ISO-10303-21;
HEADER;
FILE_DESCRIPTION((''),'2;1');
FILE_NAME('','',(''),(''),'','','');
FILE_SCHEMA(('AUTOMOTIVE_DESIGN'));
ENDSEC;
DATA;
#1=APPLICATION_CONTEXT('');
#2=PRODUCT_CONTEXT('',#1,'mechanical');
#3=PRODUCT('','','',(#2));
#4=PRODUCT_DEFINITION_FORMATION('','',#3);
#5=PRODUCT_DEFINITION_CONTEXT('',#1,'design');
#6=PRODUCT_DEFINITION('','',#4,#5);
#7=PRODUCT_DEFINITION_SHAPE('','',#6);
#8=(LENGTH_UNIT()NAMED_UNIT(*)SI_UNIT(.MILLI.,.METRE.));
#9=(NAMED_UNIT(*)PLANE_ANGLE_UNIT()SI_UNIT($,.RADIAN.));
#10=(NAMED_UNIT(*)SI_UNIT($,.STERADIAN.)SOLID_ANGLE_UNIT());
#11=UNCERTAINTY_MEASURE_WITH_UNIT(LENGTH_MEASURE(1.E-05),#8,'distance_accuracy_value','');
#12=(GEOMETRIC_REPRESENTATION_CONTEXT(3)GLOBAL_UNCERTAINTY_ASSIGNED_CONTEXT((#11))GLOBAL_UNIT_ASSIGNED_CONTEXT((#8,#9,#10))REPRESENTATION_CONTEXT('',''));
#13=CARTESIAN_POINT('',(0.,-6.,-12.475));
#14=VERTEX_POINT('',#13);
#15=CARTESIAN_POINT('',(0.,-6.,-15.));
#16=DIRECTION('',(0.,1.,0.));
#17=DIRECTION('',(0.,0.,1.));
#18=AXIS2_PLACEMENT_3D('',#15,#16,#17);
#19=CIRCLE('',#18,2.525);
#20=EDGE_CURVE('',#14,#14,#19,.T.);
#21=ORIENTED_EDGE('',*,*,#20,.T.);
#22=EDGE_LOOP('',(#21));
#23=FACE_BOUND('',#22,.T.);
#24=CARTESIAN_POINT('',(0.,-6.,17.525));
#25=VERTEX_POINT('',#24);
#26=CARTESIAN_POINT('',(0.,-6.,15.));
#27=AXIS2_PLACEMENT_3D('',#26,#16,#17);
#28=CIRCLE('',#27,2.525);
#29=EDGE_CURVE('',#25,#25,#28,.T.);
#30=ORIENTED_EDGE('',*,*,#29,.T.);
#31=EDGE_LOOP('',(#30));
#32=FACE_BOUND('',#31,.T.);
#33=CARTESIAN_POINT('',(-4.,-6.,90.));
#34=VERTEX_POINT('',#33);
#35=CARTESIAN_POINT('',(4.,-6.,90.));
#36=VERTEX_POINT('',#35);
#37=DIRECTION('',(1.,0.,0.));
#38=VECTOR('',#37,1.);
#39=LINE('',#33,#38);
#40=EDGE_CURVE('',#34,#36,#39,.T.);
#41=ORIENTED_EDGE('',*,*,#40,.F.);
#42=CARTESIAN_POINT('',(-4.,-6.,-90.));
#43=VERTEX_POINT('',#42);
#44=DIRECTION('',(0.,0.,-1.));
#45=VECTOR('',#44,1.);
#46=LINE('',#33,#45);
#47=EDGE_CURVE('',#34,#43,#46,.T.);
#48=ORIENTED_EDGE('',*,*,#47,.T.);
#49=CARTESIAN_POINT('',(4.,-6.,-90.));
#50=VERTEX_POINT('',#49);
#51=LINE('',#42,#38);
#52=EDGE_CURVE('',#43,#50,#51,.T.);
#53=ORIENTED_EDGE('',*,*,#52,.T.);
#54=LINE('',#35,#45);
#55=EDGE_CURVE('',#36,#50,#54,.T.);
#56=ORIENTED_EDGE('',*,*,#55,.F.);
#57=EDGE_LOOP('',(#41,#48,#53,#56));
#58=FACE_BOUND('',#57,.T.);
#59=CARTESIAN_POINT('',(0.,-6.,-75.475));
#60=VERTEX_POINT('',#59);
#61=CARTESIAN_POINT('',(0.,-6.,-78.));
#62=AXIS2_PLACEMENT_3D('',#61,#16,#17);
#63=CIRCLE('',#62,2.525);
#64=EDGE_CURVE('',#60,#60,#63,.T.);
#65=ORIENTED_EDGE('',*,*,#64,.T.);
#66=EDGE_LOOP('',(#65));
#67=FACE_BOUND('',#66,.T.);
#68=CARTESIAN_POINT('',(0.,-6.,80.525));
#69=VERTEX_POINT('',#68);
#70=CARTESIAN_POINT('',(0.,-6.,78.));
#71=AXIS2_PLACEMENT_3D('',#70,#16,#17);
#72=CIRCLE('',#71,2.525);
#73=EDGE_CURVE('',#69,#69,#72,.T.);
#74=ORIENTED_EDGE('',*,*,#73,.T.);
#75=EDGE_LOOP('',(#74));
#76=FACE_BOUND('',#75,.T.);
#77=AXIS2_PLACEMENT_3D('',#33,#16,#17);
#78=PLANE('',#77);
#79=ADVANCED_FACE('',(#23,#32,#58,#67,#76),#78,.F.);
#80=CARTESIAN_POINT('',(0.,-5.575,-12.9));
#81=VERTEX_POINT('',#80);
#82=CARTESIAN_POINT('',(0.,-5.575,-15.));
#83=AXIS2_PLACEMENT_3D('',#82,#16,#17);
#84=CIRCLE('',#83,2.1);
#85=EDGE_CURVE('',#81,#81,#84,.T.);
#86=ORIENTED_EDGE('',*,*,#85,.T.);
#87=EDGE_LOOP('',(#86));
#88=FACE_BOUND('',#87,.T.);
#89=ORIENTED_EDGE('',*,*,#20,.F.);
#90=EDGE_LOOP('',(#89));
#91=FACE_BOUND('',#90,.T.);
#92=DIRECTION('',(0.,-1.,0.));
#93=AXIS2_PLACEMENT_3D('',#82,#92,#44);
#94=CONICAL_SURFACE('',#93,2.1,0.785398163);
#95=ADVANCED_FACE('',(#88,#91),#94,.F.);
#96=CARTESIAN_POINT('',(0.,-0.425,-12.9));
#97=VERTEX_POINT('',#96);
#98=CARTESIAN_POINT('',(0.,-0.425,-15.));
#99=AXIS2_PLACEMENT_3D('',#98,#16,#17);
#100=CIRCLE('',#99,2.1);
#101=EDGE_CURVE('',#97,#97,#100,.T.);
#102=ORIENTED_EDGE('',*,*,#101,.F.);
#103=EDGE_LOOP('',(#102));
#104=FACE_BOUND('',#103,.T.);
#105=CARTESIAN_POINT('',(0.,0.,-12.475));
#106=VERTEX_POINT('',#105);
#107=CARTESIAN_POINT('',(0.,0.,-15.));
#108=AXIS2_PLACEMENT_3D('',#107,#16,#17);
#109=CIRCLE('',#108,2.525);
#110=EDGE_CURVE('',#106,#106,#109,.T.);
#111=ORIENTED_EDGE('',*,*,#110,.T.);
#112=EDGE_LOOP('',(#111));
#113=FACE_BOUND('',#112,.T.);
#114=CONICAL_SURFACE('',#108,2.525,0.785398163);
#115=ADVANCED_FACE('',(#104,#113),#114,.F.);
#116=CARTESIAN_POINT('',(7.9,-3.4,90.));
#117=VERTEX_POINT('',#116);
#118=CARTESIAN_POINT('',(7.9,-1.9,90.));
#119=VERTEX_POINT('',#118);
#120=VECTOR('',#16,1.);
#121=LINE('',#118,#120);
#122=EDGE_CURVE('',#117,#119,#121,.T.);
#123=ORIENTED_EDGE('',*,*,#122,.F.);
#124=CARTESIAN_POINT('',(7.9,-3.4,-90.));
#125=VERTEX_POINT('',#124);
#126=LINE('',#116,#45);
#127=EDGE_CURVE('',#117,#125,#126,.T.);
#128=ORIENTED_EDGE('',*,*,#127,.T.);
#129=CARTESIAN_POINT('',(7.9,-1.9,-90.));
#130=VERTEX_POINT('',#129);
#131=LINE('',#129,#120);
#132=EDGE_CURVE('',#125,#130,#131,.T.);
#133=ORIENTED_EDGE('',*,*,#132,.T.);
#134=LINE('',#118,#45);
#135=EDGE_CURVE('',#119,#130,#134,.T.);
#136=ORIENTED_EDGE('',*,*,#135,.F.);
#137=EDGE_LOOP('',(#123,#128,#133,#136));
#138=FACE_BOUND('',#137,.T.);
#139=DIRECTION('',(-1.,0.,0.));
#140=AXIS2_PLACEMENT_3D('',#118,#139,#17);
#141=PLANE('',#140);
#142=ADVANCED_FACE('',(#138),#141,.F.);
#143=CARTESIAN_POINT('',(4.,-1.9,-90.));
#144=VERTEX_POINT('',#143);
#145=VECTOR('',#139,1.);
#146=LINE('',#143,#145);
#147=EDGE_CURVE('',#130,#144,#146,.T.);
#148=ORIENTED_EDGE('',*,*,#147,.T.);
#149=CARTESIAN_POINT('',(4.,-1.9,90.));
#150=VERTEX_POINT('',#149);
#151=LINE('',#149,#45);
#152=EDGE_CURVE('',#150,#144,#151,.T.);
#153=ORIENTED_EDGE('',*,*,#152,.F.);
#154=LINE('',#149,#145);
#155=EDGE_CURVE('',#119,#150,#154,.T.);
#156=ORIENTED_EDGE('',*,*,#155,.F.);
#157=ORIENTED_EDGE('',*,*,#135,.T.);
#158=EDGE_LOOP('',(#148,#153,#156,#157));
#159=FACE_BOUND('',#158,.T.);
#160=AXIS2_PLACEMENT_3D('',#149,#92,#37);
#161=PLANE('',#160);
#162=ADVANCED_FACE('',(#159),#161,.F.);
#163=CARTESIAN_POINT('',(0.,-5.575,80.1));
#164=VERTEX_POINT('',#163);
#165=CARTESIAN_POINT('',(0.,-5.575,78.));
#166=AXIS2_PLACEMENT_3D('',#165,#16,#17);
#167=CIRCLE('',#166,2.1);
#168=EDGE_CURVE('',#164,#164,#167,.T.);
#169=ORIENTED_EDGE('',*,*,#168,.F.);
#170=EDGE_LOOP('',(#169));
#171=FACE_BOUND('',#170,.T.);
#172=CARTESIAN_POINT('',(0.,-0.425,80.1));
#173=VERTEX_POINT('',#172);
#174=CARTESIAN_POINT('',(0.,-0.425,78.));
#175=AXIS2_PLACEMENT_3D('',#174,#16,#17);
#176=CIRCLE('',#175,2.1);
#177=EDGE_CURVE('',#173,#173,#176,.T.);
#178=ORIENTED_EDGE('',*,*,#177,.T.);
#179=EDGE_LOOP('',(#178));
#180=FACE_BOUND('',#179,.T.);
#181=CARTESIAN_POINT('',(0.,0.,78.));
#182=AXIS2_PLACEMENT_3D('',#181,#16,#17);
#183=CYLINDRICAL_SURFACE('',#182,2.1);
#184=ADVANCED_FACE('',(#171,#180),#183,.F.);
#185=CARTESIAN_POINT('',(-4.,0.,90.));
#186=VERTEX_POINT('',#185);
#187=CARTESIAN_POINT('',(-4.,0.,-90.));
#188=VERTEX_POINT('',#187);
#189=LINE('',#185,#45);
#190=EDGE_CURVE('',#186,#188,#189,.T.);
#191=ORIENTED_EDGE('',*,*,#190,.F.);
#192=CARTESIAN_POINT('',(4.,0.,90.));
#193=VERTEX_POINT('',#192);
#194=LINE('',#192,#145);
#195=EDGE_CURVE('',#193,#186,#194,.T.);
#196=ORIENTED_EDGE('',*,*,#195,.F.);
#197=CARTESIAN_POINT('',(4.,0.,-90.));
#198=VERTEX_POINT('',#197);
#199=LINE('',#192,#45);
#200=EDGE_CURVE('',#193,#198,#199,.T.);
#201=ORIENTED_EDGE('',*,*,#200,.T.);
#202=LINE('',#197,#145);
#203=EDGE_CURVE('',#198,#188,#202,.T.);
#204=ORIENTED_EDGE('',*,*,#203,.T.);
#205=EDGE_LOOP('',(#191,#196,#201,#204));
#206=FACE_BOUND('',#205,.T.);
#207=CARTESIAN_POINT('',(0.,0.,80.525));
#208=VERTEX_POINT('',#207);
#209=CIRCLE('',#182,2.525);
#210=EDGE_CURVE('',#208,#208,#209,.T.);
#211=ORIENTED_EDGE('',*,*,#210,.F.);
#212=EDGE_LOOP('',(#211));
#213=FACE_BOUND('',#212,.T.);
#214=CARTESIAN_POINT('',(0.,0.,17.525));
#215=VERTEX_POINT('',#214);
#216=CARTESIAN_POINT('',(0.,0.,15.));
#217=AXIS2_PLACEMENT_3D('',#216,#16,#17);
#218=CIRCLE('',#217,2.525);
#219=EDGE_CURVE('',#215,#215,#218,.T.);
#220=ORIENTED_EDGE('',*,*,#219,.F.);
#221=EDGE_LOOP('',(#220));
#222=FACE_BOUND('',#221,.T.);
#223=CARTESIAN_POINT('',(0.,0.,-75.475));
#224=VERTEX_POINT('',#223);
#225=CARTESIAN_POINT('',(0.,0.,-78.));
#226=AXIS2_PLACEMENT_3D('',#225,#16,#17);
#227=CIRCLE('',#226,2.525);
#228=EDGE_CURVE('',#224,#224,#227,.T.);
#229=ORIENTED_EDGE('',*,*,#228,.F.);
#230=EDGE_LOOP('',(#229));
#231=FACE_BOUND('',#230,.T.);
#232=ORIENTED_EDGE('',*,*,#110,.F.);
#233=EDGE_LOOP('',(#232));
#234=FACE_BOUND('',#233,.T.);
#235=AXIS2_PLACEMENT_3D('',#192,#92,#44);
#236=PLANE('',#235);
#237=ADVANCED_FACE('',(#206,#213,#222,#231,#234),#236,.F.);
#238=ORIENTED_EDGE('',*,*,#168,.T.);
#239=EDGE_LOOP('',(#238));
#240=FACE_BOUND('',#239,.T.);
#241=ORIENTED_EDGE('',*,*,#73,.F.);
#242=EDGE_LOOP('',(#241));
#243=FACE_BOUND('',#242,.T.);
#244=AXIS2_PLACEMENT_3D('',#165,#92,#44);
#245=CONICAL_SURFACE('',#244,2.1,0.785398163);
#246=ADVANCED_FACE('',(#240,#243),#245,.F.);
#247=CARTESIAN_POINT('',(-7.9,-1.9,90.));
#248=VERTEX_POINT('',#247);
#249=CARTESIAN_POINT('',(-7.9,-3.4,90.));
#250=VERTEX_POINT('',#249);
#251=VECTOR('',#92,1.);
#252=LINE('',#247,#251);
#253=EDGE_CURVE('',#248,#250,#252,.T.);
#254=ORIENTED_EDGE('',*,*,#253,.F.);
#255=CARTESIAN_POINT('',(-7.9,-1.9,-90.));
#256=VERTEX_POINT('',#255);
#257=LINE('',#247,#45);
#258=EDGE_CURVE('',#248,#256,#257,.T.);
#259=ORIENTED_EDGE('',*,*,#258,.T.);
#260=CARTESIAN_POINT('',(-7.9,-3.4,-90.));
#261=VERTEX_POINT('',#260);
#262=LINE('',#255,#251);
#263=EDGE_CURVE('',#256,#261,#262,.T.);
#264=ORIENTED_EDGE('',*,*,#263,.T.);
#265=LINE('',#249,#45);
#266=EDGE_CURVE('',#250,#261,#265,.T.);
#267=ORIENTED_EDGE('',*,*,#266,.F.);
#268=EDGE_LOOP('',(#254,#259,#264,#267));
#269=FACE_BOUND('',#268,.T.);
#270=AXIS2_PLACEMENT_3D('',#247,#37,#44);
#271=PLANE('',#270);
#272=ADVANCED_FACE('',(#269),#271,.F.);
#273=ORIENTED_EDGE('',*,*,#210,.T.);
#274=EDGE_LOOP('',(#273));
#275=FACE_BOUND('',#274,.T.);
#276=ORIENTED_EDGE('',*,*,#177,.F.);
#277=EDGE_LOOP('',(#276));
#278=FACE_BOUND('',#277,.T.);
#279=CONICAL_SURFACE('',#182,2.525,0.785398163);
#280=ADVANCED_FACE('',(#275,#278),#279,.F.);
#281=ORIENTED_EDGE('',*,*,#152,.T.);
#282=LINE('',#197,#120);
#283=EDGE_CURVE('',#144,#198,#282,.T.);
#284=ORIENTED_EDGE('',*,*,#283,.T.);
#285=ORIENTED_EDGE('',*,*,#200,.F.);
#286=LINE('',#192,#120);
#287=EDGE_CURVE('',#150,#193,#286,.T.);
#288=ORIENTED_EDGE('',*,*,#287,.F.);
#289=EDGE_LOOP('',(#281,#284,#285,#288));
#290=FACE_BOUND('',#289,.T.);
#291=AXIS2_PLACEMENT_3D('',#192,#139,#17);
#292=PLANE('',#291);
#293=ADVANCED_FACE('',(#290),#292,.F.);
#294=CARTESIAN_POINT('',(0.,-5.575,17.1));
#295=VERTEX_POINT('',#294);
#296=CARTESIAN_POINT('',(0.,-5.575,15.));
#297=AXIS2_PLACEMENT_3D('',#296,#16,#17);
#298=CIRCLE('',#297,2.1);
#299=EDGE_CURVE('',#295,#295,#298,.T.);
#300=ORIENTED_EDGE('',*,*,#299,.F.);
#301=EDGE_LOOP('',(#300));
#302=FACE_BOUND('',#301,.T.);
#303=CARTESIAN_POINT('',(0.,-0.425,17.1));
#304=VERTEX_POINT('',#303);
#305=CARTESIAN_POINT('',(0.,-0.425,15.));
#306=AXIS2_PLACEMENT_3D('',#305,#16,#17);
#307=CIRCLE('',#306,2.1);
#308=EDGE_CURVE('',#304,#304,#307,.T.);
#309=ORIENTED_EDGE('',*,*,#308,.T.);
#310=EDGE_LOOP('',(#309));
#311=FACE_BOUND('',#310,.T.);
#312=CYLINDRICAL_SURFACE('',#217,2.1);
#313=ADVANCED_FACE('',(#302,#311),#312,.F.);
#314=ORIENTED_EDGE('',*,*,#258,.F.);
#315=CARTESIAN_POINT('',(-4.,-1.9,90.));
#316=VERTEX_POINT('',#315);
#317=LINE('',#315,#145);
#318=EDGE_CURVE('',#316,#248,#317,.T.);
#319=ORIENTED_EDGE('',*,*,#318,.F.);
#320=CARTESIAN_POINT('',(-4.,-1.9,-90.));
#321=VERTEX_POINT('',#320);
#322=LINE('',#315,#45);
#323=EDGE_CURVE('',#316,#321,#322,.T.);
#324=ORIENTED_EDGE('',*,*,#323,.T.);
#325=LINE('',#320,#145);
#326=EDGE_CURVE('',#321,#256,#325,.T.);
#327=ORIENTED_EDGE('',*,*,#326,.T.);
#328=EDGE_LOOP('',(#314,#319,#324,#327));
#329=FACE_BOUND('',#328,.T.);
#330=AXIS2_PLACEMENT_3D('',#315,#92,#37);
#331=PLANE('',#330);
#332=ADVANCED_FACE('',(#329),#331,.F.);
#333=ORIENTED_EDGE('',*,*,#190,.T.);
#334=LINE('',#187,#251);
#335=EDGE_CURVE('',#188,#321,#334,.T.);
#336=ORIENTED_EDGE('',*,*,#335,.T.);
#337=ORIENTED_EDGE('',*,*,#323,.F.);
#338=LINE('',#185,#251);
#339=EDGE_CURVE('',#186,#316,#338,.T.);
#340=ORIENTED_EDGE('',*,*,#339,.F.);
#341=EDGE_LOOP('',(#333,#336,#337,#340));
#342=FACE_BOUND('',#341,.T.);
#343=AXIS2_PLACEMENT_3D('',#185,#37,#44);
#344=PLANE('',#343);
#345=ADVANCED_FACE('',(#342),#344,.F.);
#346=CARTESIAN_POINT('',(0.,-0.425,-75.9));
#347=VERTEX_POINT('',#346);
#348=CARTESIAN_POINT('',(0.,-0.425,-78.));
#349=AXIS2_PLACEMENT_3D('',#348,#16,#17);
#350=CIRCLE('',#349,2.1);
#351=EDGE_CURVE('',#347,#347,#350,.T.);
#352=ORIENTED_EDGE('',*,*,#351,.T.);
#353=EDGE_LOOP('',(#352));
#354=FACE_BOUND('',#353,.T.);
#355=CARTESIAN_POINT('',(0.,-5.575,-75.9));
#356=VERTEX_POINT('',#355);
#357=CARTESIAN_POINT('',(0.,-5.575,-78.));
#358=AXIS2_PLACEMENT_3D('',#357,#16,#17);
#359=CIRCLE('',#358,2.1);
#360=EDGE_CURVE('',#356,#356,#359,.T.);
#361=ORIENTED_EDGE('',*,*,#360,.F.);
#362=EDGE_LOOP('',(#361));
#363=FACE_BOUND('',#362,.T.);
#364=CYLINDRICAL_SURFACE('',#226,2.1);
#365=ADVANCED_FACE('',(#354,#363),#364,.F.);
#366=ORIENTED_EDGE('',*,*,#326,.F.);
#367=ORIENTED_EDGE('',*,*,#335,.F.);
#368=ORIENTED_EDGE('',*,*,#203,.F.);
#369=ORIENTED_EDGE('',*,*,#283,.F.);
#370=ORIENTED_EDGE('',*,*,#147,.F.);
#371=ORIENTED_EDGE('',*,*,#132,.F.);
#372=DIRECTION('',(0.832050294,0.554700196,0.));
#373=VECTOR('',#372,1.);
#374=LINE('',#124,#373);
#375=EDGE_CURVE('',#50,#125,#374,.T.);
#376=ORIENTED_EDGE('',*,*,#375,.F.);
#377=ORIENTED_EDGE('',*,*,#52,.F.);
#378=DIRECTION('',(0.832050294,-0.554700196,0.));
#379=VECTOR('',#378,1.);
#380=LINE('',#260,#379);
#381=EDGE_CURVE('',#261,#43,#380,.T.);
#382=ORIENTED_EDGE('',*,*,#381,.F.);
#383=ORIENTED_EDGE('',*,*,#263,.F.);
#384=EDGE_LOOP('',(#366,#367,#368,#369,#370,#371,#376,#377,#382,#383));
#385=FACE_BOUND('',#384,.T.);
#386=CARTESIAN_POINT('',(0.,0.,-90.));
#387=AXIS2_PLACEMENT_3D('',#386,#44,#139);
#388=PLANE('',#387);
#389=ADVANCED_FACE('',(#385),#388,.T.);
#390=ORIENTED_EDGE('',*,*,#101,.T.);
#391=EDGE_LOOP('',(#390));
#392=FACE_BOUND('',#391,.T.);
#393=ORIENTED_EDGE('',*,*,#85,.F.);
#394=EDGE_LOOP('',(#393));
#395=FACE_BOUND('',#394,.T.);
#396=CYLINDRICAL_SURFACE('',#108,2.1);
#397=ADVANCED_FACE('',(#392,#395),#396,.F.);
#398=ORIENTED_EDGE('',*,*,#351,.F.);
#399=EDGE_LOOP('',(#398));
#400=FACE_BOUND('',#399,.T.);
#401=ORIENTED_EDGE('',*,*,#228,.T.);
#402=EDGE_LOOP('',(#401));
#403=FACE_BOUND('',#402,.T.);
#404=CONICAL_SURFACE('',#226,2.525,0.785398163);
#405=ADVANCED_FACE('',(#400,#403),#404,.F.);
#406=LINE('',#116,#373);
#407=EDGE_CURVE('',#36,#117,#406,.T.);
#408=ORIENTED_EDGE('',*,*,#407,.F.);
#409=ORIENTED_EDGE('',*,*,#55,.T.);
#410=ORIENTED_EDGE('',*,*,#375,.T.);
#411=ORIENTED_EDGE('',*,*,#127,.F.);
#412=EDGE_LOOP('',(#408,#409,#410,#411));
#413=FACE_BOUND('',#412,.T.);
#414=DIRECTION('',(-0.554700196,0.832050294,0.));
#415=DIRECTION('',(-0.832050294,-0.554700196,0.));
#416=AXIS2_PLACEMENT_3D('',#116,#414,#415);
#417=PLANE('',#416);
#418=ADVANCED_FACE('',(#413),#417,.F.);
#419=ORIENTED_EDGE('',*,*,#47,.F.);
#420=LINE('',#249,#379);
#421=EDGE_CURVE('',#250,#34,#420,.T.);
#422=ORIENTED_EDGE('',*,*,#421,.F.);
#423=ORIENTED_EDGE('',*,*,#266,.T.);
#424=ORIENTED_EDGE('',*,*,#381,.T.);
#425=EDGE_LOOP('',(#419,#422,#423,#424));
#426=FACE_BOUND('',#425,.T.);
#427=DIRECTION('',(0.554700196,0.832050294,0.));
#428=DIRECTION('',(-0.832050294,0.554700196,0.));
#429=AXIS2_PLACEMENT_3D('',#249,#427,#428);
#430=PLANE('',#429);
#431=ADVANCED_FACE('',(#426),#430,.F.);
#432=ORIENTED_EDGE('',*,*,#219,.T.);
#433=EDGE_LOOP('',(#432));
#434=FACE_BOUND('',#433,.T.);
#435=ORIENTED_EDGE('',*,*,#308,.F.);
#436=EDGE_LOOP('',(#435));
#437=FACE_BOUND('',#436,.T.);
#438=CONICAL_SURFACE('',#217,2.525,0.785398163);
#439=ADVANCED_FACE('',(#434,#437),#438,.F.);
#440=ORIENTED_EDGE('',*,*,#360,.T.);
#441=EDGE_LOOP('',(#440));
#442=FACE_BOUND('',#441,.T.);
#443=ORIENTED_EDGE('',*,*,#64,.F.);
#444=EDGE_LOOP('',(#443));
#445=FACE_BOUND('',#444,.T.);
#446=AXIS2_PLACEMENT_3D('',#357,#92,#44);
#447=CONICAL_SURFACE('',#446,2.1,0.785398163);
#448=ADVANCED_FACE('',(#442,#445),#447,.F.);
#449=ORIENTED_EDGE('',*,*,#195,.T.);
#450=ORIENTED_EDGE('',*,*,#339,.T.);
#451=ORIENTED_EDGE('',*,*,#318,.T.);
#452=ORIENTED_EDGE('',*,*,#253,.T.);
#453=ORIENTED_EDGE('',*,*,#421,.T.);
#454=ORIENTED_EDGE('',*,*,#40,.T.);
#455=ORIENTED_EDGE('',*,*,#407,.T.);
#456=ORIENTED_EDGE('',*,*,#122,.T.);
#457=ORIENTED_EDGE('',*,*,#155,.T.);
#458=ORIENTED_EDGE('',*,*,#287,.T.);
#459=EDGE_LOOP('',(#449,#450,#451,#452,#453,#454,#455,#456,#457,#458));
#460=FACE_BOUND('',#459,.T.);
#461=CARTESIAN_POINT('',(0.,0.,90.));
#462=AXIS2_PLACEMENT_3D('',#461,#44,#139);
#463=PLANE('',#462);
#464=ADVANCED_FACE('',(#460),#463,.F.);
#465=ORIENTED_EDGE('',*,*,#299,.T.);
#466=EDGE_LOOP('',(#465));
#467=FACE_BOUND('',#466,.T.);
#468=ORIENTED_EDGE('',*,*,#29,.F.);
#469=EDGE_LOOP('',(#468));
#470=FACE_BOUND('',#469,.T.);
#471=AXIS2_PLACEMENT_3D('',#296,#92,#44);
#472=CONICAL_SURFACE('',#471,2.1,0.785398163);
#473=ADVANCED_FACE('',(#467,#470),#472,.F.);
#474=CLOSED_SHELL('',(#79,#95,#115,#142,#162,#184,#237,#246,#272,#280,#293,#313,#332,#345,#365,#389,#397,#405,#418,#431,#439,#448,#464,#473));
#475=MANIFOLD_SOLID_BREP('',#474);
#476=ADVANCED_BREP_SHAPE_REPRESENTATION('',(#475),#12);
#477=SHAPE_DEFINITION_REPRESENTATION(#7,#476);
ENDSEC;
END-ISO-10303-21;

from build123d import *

# Parameters (mm, degrees)
EXTRUDE_1_DEPTH            = 90
HOLE_WIZARD_M52_AT_2_COUNT = 2
HOLE_WIZARD_M52_AT_2_PITCH = 63
HOLE_WIZARD_M52_AT_3_COUNT = 2
HOLE_WIZARD_M52_AT_3_PITCH = 93
HOLE_WIZARD_M52_AT_4_COUNT = 2
HOLE_WIZARD_M52_AT_4_PITCH = 156


with BuildPart() as part:
    # Эскиз1 → Бобышка-Вытянуть1 (new body, symmetric)
    with BuildSketch(Plane.XY):
        Polygon((4, 0), (-4, 0), (-4, -1.9), (-7.9, -1.9), (-7.9, -3.4), (-4, -6), (4, -6), (7.9, -3.4), (7.9, -1.9), (4, -1.9), align=None)
    extrude(amount=EXTRUDE_1_DEPTH, both=True)

    # Эскиз6 → Отверстие обработанное метчиком M52 (revolve, cut)
    with BuildSketch(Plane(origin=(0, 0, -78), x_dir=(0, 0, 1), z_dir=(1, 0, 0))):
        Polygon((0, 0), (0, 6), (2.525, 6), (2.1, 5.575), (2.1, 0.425), (2.525, 0), align=None)
    hole_wizard_m52 = revolve(axis=Axis((0, 6.35, -78), (0, -1, 0)), mode=Mode.SUBTRACT)

    # Отверстие обработанное метчиком M52 at 2: Отверстие обработанное метчиком M52 ×2
    with Locations(*[(0, 0, i * HOLE_WIZARD_M52_AT_2_PITCH) for i in range(1, HOLE_WIZARD_M52_AT_2_COUNT)]):
        add(hole_wizard_m52, mode=Mode.SUBTRACT)

    # Отверстие обработанное метчиком M52 at 3: Отверстие обработанное метчиком M52 ×2
    with Locations(*[(0, 0, i * HOLE_WIZARD_M52_AT_3_PITCH) for i in range(1, HOLE_WIZARD_M52_AT_3_COUNT)]):
        add(hole_wizard_m52, mode=Mode.SUBTRACT)

    # Отверстие обработанное метчиком M52 at 4: Отверстие обработанное метчиком M52 ×2
    with Locations(*[(0, 0, i * HOLE_WIZARD_M52_AT_4_PITCH) for i in range(1, HOLE_WIZARD_M52_AT_4_COUNT)]):
        add(hole_wizard_m52, mode=Mode.SUBTRACT)


solid = part.part
